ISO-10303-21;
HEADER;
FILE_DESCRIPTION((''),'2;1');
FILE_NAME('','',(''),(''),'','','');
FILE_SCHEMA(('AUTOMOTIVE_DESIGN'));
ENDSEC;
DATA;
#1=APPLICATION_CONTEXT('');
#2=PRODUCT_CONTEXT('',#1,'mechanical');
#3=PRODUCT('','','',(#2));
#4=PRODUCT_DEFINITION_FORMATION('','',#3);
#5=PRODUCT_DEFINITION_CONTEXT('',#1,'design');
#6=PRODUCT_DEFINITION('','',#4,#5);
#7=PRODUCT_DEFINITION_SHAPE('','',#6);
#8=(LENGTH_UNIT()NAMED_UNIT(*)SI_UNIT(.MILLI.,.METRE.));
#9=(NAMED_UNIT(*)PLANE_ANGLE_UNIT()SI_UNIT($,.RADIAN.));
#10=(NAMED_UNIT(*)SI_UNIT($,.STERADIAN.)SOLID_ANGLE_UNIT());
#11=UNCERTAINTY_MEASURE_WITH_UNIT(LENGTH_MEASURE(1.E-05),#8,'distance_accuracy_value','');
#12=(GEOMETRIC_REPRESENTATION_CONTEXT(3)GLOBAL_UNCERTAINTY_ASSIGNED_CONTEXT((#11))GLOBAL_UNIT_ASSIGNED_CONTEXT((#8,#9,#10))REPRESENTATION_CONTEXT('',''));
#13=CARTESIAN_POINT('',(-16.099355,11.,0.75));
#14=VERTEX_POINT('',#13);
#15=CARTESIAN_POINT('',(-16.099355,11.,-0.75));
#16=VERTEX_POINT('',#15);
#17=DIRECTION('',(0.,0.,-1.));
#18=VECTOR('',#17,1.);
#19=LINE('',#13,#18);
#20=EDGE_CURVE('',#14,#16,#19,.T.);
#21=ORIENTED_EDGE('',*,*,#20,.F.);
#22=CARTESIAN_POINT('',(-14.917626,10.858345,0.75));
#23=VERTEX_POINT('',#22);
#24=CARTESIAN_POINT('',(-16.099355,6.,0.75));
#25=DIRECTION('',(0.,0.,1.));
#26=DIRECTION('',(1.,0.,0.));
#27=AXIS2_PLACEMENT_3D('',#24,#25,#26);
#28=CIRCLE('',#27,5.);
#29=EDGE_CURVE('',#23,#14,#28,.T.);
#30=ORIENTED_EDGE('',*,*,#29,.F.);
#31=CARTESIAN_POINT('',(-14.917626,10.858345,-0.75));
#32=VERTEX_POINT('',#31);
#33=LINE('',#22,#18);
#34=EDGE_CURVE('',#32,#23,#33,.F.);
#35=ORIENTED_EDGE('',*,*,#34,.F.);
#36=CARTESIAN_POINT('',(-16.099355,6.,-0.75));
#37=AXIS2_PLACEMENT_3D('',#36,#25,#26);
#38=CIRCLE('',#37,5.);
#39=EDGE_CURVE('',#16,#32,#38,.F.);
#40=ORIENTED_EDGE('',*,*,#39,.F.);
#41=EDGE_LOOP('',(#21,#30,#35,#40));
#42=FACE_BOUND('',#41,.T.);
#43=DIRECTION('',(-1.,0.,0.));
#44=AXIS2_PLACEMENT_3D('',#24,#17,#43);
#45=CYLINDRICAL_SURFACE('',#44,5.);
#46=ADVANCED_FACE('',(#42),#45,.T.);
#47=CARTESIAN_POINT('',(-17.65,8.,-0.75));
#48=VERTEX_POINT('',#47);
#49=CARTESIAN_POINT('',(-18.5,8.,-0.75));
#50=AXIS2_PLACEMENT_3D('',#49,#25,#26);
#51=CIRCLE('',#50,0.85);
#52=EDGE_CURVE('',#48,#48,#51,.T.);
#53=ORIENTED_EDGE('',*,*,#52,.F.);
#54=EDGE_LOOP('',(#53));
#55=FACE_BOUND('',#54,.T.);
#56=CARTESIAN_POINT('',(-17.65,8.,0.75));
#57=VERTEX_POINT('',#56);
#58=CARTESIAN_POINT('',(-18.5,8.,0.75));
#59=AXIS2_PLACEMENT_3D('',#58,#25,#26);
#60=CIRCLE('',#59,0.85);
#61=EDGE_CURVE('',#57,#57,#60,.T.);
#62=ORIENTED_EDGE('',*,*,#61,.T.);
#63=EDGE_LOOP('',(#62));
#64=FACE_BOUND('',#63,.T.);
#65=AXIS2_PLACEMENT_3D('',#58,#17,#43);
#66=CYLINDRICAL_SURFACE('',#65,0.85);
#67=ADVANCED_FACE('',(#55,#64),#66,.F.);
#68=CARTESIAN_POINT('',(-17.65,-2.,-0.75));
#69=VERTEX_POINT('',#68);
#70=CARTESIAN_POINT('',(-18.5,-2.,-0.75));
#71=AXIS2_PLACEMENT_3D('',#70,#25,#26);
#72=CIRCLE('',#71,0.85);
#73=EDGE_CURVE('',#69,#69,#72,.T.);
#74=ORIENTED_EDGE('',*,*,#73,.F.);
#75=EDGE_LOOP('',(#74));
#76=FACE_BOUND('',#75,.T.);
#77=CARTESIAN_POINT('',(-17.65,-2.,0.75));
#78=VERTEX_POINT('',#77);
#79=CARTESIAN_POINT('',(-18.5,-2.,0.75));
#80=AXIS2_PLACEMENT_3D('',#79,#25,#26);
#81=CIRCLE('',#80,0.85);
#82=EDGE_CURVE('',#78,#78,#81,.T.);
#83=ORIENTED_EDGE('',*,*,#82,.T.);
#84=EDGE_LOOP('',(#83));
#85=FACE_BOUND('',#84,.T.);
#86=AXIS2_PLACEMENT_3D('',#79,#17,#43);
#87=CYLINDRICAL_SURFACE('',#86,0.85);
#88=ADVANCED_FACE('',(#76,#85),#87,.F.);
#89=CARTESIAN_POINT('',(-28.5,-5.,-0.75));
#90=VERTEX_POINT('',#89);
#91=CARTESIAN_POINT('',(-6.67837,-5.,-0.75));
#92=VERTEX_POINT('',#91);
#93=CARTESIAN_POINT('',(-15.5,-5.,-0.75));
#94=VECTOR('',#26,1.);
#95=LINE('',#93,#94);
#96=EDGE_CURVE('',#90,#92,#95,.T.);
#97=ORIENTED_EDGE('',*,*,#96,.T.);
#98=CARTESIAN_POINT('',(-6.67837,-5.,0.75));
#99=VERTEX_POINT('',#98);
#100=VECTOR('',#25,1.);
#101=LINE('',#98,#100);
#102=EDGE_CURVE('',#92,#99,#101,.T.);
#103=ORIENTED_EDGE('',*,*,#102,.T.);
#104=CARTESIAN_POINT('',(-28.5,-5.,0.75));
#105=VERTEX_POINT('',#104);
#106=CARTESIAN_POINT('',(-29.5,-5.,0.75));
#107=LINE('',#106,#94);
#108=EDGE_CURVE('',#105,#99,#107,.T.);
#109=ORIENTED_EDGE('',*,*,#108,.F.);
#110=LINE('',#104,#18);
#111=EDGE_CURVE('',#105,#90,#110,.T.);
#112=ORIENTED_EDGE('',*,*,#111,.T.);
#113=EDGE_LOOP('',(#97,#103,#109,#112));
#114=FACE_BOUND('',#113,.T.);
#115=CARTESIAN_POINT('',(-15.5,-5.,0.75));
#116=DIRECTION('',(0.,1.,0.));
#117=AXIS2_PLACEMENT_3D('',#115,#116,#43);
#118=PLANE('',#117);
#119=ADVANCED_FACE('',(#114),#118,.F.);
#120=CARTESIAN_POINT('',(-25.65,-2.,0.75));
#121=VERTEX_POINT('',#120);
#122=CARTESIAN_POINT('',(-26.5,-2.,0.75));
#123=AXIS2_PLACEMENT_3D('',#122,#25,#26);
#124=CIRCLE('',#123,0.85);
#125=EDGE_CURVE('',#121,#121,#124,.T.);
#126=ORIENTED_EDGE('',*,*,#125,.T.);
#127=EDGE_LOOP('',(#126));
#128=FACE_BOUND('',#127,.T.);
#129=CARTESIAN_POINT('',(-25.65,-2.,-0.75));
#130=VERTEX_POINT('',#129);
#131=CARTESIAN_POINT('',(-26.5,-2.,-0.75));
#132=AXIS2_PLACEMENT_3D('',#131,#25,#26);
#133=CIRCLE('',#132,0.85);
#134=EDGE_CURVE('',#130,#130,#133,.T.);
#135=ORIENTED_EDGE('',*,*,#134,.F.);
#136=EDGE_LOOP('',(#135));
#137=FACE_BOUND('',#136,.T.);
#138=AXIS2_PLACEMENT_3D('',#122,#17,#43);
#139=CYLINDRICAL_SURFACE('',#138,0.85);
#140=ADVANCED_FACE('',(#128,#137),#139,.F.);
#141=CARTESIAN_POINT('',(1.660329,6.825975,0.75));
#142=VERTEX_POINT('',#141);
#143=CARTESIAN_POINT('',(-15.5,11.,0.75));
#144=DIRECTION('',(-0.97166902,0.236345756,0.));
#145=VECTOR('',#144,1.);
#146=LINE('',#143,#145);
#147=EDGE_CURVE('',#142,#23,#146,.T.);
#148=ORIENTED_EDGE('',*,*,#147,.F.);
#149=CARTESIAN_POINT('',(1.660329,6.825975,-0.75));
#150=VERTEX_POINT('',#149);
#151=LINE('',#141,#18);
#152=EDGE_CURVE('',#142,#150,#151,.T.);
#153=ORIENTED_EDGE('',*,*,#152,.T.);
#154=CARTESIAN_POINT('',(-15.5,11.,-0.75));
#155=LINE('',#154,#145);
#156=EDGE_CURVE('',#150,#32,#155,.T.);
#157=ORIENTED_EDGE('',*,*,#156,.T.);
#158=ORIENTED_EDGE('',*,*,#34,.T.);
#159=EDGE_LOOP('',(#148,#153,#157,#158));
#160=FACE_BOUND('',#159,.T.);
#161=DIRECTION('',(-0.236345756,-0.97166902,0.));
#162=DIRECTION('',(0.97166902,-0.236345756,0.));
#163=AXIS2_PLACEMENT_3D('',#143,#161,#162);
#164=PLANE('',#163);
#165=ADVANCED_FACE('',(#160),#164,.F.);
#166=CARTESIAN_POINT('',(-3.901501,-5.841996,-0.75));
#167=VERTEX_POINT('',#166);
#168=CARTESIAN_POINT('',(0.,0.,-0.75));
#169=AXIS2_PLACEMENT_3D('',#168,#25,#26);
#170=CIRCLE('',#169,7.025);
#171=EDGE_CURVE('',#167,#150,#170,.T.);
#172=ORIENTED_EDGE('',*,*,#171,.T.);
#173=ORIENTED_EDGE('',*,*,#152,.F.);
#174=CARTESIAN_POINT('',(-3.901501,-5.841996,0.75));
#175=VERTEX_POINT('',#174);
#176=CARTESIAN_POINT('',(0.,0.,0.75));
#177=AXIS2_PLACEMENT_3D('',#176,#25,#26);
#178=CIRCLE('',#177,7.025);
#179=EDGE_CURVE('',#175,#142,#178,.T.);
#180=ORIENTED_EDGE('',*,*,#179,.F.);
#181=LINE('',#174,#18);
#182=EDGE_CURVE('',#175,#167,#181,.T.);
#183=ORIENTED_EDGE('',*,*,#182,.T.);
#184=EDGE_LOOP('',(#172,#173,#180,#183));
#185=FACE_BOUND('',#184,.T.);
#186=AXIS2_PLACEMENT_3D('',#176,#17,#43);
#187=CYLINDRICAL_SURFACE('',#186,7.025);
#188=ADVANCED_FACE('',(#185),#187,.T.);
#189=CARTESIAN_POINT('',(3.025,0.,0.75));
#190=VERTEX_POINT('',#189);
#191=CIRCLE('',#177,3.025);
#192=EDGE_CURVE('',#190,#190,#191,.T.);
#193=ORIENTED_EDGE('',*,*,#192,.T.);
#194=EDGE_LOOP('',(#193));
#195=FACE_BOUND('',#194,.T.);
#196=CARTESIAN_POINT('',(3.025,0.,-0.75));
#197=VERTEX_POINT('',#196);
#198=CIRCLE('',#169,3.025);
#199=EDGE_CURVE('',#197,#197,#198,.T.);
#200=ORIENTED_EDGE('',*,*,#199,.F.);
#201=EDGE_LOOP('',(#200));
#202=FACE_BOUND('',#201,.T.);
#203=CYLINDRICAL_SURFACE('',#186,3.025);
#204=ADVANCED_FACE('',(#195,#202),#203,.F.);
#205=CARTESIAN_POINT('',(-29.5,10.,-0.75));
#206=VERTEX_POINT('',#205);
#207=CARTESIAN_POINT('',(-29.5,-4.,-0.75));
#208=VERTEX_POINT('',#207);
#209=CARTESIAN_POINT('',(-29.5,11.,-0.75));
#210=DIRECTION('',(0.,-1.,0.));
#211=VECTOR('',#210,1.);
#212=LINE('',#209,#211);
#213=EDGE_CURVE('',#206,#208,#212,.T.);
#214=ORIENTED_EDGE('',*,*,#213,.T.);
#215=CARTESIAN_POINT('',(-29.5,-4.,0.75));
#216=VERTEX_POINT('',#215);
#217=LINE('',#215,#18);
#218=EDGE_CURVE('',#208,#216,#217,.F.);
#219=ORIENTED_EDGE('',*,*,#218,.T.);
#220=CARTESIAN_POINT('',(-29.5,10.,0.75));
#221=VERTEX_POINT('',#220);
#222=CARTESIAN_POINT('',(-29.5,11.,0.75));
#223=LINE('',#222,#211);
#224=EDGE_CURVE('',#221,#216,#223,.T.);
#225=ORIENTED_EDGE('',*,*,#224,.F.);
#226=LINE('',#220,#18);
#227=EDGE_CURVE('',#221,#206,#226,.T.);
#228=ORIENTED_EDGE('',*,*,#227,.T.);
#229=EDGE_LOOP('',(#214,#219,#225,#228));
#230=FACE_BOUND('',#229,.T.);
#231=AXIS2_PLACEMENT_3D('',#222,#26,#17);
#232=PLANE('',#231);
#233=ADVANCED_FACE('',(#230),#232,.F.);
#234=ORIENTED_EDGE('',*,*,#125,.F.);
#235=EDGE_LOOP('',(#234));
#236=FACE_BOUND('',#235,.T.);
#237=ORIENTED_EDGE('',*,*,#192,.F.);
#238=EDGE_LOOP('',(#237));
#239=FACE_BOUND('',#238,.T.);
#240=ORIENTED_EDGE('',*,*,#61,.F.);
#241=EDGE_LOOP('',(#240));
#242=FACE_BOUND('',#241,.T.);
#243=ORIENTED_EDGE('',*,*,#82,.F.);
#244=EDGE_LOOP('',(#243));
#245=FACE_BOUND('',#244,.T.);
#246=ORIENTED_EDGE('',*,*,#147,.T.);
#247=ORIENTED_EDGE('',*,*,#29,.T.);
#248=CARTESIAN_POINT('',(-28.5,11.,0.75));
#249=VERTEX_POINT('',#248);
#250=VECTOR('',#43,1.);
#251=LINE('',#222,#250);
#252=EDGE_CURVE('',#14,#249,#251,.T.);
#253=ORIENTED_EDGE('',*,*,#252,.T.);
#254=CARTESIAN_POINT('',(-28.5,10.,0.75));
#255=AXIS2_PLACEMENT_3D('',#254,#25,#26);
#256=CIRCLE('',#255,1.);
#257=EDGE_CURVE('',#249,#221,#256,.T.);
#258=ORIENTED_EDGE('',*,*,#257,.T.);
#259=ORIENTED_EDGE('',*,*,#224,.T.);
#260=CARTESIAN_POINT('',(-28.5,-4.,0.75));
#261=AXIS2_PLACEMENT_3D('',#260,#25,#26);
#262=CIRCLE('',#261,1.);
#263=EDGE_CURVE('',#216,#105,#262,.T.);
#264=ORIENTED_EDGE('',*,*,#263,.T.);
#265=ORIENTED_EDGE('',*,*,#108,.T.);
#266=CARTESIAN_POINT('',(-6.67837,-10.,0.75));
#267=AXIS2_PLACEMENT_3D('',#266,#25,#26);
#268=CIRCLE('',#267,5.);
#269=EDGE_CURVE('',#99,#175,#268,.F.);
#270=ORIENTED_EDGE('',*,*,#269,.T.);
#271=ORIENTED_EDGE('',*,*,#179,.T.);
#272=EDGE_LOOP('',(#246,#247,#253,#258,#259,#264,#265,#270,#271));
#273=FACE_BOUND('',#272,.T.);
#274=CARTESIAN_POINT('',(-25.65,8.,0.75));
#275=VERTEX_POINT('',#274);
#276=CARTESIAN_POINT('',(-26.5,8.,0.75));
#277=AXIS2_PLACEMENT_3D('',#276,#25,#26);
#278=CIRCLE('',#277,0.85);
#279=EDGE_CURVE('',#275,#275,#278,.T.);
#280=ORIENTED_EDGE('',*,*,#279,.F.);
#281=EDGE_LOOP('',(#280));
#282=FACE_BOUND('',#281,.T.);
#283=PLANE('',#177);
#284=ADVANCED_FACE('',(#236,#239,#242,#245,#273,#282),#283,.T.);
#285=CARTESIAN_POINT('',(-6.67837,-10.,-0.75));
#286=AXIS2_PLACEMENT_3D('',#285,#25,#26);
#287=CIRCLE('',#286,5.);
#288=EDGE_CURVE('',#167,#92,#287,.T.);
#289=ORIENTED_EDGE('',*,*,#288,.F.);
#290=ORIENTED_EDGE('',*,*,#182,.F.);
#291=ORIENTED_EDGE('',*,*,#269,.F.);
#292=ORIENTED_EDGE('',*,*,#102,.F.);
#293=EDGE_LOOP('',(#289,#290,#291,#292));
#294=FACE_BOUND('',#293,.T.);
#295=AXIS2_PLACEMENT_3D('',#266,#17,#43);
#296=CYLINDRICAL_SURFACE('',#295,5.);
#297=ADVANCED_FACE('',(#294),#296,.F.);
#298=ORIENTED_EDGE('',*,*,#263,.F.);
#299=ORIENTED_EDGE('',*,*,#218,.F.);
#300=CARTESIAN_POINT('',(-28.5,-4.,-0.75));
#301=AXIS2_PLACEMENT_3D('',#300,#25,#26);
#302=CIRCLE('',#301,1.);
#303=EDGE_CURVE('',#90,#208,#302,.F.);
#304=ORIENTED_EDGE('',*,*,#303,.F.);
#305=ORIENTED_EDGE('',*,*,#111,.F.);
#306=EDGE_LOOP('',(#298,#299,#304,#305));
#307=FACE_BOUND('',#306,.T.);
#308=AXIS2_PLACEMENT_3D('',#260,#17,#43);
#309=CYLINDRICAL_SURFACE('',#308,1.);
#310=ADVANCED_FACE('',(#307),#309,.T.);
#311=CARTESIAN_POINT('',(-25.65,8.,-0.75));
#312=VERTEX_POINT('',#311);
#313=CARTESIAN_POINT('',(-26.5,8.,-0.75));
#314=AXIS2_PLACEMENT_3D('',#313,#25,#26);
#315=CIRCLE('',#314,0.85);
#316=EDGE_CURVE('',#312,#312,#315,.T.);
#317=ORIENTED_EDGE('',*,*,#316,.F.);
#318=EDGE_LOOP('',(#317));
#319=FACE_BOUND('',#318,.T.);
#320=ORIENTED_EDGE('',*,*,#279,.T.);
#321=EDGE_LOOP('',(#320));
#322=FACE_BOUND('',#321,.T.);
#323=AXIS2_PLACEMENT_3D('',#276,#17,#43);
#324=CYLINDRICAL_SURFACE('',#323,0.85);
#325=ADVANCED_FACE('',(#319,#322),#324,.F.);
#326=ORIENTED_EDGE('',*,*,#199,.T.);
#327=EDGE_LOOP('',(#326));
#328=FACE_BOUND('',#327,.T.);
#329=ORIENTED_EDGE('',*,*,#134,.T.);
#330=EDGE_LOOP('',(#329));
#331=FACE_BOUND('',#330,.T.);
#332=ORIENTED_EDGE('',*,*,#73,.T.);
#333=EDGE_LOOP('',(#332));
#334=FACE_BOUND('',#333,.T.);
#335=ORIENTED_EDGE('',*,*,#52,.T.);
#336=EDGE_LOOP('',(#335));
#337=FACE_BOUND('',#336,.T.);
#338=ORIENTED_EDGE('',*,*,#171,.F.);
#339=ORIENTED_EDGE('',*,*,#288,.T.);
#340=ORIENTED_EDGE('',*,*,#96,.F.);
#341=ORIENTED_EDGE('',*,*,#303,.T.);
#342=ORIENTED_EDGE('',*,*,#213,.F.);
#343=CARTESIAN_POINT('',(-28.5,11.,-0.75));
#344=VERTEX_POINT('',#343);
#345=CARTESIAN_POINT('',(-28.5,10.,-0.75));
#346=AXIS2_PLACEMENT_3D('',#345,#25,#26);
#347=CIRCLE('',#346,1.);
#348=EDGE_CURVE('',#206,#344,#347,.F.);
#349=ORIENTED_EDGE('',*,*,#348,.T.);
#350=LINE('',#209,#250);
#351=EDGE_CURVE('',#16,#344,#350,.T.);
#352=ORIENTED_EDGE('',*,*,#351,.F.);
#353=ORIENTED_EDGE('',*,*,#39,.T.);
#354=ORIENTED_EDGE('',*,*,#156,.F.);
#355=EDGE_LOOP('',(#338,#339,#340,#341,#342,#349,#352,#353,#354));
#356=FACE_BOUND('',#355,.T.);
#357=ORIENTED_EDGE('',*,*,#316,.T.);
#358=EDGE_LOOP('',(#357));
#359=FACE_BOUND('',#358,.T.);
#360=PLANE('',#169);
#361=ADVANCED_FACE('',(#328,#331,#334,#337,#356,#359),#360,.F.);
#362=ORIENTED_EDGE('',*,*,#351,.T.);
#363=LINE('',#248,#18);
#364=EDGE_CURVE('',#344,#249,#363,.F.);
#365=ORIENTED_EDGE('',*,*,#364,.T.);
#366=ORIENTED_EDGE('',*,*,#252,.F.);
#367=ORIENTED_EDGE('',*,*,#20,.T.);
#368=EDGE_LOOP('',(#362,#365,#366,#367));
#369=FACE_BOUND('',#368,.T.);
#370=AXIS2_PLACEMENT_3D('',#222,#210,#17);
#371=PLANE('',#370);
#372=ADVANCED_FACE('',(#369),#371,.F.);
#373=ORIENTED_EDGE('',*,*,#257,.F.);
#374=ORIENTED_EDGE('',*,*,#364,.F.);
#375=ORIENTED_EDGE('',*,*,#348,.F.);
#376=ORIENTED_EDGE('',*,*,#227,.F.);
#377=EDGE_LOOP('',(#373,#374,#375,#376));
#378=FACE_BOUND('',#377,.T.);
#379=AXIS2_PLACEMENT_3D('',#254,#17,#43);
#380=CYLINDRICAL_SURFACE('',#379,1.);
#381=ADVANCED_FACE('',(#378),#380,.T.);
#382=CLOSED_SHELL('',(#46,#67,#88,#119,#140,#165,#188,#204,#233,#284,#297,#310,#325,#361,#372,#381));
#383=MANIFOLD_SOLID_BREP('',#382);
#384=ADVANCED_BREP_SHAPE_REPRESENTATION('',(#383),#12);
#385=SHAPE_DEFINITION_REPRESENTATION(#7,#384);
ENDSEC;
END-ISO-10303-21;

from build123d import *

# Parameters (mm, degrees)
ESQUISSE1_R        = 3.025
ESQUISSE1_R_2      = 0.85
BOSS_EXTRU_1_DEPTH = 0.75
CONG_1_R           = 5
CONG_2_R           = 1


with BuildPart() as part:
    # Esquisse1 → Boss.-Extru.1 (new body, symmetric)
    with BuildSketch(Plane.XY):
        with BuildLine():
            Line((-15.5, 11), (1.660328935, 6.825974863))
            ThreePointArc((1.660328935, 6.825974863), (6.135445446, -3.421539739), (-4.934635245, -5))
            Line((-4.934635245, -5), (-15.5, -5))
            Line((-15.5, -5), (-29.5, -5))
            Line((-29.5, -5), (-29.5, 11))
            Line((-29.5, 11), (-15.5, 11))
        make_face()
        Circle(ESQUISSE1_R, mode=Mode.SUBTRACT)
        with Locations((-26.5, 8)):
            Circle(ESQUISSE1_R_2, mode=Mode.SUBTRACT)
        with Locations((-18.5, 8)):
            Circle(ESQUISSE1_R_2, mode=Mode.SUBTRACT)
        with Locations((-18.5, -2)):
            Circle(ESQUISSE1_R_2, mode=Mode.SUBTRACT)
        with Locations((-26.5, -2)):
            Circle(ESQUISSE1_R_2, mode=Mode.SUBTRACT)
    extrude(amount=BOSS_EXTRU_1_DEPTH, both=True)

    # Congé1
    cong_1_edges = [part.edges().sort_by_distance(p)[0] for p in [
        (-15.5, 11, 0),
        (-4.934635245, -5, 0),
    ]]
    fillet(cong_1_edges, radius=CONG_1_R)

    # Congé2
    cong_2_edges = [part.edges().sort_by_distance(p)[0] for p in [
        (-29.5, 11, 0),
        (-29.5, -5, 0),
    ]]
    fillet(cong_2_edges, radius=CONG_2_R)


solid = part.part
